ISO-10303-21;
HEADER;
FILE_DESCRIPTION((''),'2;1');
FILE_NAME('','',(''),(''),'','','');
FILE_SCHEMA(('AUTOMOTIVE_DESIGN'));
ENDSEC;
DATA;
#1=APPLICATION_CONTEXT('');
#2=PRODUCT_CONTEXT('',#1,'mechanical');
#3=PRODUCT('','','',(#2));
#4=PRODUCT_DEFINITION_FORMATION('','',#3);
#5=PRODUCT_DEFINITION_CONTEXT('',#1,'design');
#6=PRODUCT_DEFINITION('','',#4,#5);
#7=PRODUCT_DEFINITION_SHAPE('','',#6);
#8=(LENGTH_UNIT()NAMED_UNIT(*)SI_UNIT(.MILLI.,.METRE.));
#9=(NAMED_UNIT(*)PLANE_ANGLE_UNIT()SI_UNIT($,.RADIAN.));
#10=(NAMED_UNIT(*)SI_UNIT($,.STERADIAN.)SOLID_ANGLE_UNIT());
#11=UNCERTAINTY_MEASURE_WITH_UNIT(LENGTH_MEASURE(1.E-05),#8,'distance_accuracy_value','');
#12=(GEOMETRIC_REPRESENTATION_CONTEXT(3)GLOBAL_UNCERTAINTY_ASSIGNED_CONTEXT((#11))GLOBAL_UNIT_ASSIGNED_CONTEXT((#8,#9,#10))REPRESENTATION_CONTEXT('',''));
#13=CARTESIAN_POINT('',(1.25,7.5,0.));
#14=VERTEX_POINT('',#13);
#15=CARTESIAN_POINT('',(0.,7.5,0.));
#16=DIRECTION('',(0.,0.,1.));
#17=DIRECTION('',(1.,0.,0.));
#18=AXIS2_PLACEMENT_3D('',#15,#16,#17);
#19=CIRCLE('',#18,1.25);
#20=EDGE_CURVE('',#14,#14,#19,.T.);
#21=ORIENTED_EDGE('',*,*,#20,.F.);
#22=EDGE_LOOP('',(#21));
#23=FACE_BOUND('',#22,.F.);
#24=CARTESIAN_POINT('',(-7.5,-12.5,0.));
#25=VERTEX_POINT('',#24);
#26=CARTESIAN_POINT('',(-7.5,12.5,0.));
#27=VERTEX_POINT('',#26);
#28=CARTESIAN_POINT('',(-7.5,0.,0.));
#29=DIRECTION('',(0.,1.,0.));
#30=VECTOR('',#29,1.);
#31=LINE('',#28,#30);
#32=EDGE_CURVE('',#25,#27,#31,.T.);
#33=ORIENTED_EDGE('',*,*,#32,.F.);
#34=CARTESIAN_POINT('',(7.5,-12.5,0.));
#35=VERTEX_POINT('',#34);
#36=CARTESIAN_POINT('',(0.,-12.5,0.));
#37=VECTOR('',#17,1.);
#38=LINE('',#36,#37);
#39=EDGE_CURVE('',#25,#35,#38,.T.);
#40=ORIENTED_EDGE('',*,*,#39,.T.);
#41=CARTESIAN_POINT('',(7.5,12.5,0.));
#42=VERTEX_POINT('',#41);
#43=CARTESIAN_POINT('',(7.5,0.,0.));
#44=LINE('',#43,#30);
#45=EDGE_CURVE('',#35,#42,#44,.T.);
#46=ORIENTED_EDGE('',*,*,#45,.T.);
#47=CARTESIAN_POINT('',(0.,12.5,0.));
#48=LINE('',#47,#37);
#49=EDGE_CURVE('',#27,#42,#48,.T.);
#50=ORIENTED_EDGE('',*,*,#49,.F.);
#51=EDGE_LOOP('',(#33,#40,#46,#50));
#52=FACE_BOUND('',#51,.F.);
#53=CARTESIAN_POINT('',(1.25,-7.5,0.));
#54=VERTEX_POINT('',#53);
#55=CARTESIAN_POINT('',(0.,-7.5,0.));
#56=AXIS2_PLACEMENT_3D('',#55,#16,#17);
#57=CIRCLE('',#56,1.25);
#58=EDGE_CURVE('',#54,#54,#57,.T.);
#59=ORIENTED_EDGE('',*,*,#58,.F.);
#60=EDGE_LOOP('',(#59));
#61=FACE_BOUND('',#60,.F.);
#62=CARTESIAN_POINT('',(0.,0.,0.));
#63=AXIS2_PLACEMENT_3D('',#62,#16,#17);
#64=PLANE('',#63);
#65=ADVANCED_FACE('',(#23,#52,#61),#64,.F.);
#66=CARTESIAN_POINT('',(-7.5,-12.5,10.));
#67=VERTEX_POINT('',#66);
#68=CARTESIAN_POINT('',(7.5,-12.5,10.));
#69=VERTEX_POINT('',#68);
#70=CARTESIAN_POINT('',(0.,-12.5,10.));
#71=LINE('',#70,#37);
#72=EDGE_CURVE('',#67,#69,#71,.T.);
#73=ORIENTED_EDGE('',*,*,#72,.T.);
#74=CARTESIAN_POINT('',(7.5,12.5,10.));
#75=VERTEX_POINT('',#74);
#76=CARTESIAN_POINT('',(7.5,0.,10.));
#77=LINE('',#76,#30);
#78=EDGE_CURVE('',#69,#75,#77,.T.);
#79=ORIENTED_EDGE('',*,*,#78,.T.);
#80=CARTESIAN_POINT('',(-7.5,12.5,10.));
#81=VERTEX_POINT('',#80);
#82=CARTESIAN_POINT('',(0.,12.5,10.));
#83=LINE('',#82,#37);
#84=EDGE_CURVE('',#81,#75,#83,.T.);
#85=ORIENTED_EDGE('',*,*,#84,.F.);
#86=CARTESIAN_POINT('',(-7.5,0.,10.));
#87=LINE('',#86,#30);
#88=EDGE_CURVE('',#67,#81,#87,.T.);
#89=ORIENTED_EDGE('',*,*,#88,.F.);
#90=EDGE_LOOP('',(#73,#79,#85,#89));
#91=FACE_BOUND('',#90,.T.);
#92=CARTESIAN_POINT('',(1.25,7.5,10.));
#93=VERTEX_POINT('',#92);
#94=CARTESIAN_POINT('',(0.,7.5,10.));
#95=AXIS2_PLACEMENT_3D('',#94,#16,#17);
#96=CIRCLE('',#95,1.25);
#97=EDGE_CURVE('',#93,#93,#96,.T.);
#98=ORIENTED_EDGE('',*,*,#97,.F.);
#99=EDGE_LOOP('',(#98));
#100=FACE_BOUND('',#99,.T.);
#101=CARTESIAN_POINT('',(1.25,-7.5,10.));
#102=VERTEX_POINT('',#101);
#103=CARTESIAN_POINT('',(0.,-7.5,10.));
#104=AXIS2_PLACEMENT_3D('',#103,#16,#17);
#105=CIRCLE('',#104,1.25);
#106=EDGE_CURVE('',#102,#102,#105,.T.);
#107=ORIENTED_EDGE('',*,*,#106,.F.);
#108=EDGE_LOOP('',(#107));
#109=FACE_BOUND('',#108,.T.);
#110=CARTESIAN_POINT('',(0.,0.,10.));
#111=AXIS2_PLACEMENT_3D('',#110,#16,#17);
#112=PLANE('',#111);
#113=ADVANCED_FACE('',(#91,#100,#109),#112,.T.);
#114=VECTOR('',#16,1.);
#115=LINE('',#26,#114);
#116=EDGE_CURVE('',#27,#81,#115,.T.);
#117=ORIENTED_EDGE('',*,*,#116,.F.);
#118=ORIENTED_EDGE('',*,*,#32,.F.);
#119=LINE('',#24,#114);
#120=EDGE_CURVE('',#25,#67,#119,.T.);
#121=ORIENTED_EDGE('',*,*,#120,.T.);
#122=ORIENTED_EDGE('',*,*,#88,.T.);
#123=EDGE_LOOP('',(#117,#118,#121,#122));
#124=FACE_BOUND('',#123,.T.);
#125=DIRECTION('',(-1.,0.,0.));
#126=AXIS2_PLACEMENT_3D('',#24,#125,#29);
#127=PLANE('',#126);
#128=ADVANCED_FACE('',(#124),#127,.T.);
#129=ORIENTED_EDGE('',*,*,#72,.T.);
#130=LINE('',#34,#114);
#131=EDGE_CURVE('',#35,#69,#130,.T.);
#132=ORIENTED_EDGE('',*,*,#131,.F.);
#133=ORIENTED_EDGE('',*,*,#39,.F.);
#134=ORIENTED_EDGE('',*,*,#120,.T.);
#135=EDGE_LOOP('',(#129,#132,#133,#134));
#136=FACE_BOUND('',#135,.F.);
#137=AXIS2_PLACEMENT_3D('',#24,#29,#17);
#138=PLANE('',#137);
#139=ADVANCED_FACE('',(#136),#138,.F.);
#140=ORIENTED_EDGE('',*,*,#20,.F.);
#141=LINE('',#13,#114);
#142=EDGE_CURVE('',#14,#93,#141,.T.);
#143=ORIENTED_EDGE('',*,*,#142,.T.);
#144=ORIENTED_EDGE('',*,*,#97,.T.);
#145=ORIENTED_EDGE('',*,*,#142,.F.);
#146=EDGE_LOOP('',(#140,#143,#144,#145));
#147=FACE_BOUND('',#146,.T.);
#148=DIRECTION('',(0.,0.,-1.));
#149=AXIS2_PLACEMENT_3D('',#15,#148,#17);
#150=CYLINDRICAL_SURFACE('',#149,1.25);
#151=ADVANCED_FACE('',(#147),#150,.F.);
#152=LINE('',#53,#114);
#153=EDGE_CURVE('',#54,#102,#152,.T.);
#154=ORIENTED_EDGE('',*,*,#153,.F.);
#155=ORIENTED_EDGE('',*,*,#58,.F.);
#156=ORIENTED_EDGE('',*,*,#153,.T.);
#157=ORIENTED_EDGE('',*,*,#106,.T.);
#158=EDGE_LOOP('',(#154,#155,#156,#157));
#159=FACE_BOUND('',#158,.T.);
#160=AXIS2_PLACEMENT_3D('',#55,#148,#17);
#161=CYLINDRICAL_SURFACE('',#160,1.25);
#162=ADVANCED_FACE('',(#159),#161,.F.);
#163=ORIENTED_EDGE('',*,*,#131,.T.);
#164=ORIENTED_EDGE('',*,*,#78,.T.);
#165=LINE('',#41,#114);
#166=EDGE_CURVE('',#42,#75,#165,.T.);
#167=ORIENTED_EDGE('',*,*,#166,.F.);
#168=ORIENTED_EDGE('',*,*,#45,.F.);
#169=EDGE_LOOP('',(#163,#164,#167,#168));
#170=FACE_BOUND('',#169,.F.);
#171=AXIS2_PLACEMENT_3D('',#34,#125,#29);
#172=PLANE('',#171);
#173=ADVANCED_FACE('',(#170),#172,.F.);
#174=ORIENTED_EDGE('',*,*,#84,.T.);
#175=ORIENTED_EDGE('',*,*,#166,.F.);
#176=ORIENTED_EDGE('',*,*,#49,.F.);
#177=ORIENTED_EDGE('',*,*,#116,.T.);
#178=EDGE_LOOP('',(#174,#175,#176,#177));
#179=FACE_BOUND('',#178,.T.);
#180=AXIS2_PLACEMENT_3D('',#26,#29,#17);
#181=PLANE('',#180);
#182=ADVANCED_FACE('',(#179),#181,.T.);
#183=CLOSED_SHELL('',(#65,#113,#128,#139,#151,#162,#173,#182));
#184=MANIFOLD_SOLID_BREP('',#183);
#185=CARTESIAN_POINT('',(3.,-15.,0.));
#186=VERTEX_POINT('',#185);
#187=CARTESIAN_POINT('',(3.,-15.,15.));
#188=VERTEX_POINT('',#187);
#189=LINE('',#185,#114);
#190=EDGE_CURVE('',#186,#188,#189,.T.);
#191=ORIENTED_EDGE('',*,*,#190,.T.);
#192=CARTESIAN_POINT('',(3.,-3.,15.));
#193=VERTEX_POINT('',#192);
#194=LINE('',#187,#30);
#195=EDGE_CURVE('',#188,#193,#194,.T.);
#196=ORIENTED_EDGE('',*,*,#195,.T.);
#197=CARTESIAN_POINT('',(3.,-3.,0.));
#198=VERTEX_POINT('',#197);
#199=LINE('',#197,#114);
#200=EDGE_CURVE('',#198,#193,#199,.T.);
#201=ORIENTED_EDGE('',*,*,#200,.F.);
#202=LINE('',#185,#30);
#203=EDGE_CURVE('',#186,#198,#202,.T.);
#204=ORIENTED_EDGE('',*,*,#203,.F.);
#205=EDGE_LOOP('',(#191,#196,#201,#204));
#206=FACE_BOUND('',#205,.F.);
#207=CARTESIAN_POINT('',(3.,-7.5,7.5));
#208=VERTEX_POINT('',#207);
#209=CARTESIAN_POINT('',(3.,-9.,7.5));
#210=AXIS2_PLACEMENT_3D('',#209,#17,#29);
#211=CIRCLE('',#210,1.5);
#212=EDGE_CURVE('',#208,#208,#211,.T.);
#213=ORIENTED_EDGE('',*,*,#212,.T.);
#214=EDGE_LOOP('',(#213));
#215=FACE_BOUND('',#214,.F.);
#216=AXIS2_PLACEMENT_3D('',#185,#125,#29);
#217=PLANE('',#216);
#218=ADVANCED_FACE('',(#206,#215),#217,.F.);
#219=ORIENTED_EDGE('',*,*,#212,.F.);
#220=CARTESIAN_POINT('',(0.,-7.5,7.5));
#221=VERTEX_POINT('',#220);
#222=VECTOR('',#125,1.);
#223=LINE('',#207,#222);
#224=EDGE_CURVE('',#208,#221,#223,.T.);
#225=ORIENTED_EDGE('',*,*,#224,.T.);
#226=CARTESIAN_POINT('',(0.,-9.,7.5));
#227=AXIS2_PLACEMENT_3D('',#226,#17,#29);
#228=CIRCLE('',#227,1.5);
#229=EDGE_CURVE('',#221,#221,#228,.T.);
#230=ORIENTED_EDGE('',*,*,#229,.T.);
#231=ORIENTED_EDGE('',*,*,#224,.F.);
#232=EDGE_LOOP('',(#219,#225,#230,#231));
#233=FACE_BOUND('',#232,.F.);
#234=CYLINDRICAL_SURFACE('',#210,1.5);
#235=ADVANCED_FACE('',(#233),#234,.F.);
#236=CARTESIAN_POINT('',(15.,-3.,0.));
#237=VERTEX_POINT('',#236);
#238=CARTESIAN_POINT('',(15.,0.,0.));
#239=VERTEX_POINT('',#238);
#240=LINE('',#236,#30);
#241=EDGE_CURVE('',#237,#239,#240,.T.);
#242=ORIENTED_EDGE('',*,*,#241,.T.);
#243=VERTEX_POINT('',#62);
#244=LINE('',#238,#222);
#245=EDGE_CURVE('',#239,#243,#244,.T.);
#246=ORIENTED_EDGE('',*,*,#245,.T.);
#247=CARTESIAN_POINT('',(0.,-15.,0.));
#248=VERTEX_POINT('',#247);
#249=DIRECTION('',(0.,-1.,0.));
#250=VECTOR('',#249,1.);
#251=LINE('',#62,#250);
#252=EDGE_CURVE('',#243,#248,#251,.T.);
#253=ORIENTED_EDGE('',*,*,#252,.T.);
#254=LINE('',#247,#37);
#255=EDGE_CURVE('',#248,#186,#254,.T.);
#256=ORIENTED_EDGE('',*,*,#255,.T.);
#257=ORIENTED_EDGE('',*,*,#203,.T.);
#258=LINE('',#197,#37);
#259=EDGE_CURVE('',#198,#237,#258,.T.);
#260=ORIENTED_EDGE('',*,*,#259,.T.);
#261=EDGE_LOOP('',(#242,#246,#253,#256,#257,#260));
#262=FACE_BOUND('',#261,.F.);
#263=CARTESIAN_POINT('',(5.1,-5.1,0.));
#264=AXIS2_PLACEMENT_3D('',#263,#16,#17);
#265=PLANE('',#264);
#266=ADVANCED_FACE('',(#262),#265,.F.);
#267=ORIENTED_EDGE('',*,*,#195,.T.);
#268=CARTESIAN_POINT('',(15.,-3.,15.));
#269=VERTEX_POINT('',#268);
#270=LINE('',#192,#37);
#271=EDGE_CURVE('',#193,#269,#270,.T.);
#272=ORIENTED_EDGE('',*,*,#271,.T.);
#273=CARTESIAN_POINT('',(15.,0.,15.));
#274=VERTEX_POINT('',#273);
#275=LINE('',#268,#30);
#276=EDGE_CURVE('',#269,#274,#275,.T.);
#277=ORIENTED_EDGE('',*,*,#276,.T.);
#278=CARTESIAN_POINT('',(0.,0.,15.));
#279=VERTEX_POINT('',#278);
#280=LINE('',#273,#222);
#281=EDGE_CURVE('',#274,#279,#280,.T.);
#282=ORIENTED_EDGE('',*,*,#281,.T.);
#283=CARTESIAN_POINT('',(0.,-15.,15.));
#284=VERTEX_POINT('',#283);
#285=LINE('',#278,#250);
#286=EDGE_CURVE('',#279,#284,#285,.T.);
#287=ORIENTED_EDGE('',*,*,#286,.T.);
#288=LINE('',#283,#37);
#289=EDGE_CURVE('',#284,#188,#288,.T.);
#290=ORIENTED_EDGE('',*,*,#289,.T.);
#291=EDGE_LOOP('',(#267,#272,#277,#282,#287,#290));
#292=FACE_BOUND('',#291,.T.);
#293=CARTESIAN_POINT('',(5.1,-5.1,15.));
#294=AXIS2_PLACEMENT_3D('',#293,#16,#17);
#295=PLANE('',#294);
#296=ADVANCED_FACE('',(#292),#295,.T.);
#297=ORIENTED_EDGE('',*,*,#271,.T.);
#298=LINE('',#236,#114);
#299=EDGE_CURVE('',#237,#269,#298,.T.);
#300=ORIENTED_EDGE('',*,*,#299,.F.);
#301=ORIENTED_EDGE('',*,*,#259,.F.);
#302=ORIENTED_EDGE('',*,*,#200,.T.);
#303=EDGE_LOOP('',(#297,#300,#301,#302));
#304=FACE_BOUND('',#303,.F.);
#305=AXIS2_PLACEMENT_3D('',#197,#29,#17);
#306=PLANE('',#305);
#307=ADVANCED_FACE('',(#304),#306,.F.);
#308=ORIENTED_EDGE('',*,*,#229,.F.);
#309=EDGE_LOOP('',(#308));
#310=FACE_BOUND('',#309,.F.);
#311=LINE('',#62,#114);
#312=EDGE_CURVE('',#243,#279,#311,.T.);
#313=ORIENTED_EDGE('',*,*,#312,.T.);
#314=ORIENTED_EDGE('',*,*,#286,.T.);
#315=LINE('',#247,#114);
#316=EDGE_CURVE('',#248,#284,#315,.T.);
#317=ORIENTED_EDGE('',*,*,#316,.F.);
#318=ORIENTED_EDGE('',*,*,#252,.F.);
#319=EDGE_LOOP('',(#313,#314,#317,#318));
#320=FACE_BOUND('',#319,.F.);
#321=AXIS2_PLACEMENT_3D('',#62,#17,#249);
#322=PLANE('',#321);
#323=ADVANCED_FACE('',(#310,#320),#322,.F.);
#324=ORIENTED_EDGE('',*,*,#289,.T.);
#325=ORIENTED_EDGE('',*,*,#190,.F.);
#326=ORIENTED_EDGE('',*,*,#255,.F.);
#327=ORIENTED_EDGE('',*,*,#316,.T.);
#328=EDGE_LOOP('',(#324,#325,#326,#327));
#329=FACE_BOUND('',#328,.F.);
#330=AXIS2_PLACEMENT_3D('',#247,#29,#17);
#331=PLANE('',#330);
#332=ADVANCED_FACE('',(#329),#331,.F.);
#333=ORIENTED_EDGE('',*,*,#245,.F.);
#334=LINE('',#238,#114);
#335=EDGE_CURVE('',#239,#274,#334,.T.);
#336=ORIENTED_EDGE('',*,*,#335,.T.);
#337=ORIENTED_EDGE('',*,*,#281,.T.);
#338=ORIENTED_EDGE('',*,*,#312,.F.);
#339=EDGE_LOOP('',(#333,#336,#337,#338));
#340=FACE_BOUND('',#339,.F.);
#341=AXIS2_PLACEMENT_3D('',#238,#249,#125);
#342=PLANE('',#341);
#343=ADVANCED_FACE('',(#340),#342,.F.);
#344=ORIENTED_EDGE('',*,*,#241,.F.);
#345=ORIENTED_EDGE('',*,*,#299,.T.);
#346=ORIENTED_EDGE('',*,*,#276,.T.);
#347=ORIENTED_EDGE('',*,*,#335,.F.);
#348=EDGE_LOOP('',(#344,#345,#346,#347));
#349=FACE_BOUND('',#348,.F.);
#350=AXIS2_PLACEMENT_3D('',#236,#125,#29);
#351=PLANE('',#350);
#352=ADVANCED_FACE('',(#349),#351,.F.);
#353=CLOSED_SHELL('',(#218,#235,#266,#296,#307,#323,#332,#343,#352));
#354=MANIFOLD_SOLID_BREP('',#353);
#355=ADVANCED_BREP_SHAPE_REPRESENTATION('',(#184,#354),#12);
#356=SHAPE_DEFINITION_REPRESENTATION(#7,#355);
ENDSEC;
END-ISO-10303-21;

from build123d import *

# Parameters (mm, degrees)
SKETCH_W     = 15
SKETCH_H     = 25
SKETCH_R     = 1.25
PAD_DEPTH    = 10
PAD001_DEPTH = 15
SKETCH003_R  = 1.5
POCKET_DEPTH = 3.001


with BuildPart() as body:
    # Sketch → Pad (new body)
    with BuildSketch(Plane.XY):
        Rectangle(SKETCH_W, SKETCH_H)
        with Locations((0, 7.5)):
            Circle(SKETCH_R, mode=Mode.SUBTRACT)
        with Locations((0, -7.5)):
            Circle(SKETCH_R, mode=Mode.SUBTRACT)
    extrude(amount=PAD_DEPTH)


with BuildPart() as body001:
    # Sketch001 → Pad001 (new body)
    with BuildSketch(Plane.XY):
        Polygon((0, 0), (0, -15), (3, -15), (3, -3), (15, -3), (15, 0), align=None)
    extrude(amount=PAD001_DEPTH)

    # Sketch003 (on Face3 of Pad001) → Pocket (cut, through all)
    with BuildSketch(Plane.YZ.offset(3)):
        with Locations((-9, 7.5)):
            Circle(SKETCH003_R)
    extrude(amount=-POCKET_DEPTH, mode=Mode.SUBTRACT)


solid = Compound([body.part, body001.part])
